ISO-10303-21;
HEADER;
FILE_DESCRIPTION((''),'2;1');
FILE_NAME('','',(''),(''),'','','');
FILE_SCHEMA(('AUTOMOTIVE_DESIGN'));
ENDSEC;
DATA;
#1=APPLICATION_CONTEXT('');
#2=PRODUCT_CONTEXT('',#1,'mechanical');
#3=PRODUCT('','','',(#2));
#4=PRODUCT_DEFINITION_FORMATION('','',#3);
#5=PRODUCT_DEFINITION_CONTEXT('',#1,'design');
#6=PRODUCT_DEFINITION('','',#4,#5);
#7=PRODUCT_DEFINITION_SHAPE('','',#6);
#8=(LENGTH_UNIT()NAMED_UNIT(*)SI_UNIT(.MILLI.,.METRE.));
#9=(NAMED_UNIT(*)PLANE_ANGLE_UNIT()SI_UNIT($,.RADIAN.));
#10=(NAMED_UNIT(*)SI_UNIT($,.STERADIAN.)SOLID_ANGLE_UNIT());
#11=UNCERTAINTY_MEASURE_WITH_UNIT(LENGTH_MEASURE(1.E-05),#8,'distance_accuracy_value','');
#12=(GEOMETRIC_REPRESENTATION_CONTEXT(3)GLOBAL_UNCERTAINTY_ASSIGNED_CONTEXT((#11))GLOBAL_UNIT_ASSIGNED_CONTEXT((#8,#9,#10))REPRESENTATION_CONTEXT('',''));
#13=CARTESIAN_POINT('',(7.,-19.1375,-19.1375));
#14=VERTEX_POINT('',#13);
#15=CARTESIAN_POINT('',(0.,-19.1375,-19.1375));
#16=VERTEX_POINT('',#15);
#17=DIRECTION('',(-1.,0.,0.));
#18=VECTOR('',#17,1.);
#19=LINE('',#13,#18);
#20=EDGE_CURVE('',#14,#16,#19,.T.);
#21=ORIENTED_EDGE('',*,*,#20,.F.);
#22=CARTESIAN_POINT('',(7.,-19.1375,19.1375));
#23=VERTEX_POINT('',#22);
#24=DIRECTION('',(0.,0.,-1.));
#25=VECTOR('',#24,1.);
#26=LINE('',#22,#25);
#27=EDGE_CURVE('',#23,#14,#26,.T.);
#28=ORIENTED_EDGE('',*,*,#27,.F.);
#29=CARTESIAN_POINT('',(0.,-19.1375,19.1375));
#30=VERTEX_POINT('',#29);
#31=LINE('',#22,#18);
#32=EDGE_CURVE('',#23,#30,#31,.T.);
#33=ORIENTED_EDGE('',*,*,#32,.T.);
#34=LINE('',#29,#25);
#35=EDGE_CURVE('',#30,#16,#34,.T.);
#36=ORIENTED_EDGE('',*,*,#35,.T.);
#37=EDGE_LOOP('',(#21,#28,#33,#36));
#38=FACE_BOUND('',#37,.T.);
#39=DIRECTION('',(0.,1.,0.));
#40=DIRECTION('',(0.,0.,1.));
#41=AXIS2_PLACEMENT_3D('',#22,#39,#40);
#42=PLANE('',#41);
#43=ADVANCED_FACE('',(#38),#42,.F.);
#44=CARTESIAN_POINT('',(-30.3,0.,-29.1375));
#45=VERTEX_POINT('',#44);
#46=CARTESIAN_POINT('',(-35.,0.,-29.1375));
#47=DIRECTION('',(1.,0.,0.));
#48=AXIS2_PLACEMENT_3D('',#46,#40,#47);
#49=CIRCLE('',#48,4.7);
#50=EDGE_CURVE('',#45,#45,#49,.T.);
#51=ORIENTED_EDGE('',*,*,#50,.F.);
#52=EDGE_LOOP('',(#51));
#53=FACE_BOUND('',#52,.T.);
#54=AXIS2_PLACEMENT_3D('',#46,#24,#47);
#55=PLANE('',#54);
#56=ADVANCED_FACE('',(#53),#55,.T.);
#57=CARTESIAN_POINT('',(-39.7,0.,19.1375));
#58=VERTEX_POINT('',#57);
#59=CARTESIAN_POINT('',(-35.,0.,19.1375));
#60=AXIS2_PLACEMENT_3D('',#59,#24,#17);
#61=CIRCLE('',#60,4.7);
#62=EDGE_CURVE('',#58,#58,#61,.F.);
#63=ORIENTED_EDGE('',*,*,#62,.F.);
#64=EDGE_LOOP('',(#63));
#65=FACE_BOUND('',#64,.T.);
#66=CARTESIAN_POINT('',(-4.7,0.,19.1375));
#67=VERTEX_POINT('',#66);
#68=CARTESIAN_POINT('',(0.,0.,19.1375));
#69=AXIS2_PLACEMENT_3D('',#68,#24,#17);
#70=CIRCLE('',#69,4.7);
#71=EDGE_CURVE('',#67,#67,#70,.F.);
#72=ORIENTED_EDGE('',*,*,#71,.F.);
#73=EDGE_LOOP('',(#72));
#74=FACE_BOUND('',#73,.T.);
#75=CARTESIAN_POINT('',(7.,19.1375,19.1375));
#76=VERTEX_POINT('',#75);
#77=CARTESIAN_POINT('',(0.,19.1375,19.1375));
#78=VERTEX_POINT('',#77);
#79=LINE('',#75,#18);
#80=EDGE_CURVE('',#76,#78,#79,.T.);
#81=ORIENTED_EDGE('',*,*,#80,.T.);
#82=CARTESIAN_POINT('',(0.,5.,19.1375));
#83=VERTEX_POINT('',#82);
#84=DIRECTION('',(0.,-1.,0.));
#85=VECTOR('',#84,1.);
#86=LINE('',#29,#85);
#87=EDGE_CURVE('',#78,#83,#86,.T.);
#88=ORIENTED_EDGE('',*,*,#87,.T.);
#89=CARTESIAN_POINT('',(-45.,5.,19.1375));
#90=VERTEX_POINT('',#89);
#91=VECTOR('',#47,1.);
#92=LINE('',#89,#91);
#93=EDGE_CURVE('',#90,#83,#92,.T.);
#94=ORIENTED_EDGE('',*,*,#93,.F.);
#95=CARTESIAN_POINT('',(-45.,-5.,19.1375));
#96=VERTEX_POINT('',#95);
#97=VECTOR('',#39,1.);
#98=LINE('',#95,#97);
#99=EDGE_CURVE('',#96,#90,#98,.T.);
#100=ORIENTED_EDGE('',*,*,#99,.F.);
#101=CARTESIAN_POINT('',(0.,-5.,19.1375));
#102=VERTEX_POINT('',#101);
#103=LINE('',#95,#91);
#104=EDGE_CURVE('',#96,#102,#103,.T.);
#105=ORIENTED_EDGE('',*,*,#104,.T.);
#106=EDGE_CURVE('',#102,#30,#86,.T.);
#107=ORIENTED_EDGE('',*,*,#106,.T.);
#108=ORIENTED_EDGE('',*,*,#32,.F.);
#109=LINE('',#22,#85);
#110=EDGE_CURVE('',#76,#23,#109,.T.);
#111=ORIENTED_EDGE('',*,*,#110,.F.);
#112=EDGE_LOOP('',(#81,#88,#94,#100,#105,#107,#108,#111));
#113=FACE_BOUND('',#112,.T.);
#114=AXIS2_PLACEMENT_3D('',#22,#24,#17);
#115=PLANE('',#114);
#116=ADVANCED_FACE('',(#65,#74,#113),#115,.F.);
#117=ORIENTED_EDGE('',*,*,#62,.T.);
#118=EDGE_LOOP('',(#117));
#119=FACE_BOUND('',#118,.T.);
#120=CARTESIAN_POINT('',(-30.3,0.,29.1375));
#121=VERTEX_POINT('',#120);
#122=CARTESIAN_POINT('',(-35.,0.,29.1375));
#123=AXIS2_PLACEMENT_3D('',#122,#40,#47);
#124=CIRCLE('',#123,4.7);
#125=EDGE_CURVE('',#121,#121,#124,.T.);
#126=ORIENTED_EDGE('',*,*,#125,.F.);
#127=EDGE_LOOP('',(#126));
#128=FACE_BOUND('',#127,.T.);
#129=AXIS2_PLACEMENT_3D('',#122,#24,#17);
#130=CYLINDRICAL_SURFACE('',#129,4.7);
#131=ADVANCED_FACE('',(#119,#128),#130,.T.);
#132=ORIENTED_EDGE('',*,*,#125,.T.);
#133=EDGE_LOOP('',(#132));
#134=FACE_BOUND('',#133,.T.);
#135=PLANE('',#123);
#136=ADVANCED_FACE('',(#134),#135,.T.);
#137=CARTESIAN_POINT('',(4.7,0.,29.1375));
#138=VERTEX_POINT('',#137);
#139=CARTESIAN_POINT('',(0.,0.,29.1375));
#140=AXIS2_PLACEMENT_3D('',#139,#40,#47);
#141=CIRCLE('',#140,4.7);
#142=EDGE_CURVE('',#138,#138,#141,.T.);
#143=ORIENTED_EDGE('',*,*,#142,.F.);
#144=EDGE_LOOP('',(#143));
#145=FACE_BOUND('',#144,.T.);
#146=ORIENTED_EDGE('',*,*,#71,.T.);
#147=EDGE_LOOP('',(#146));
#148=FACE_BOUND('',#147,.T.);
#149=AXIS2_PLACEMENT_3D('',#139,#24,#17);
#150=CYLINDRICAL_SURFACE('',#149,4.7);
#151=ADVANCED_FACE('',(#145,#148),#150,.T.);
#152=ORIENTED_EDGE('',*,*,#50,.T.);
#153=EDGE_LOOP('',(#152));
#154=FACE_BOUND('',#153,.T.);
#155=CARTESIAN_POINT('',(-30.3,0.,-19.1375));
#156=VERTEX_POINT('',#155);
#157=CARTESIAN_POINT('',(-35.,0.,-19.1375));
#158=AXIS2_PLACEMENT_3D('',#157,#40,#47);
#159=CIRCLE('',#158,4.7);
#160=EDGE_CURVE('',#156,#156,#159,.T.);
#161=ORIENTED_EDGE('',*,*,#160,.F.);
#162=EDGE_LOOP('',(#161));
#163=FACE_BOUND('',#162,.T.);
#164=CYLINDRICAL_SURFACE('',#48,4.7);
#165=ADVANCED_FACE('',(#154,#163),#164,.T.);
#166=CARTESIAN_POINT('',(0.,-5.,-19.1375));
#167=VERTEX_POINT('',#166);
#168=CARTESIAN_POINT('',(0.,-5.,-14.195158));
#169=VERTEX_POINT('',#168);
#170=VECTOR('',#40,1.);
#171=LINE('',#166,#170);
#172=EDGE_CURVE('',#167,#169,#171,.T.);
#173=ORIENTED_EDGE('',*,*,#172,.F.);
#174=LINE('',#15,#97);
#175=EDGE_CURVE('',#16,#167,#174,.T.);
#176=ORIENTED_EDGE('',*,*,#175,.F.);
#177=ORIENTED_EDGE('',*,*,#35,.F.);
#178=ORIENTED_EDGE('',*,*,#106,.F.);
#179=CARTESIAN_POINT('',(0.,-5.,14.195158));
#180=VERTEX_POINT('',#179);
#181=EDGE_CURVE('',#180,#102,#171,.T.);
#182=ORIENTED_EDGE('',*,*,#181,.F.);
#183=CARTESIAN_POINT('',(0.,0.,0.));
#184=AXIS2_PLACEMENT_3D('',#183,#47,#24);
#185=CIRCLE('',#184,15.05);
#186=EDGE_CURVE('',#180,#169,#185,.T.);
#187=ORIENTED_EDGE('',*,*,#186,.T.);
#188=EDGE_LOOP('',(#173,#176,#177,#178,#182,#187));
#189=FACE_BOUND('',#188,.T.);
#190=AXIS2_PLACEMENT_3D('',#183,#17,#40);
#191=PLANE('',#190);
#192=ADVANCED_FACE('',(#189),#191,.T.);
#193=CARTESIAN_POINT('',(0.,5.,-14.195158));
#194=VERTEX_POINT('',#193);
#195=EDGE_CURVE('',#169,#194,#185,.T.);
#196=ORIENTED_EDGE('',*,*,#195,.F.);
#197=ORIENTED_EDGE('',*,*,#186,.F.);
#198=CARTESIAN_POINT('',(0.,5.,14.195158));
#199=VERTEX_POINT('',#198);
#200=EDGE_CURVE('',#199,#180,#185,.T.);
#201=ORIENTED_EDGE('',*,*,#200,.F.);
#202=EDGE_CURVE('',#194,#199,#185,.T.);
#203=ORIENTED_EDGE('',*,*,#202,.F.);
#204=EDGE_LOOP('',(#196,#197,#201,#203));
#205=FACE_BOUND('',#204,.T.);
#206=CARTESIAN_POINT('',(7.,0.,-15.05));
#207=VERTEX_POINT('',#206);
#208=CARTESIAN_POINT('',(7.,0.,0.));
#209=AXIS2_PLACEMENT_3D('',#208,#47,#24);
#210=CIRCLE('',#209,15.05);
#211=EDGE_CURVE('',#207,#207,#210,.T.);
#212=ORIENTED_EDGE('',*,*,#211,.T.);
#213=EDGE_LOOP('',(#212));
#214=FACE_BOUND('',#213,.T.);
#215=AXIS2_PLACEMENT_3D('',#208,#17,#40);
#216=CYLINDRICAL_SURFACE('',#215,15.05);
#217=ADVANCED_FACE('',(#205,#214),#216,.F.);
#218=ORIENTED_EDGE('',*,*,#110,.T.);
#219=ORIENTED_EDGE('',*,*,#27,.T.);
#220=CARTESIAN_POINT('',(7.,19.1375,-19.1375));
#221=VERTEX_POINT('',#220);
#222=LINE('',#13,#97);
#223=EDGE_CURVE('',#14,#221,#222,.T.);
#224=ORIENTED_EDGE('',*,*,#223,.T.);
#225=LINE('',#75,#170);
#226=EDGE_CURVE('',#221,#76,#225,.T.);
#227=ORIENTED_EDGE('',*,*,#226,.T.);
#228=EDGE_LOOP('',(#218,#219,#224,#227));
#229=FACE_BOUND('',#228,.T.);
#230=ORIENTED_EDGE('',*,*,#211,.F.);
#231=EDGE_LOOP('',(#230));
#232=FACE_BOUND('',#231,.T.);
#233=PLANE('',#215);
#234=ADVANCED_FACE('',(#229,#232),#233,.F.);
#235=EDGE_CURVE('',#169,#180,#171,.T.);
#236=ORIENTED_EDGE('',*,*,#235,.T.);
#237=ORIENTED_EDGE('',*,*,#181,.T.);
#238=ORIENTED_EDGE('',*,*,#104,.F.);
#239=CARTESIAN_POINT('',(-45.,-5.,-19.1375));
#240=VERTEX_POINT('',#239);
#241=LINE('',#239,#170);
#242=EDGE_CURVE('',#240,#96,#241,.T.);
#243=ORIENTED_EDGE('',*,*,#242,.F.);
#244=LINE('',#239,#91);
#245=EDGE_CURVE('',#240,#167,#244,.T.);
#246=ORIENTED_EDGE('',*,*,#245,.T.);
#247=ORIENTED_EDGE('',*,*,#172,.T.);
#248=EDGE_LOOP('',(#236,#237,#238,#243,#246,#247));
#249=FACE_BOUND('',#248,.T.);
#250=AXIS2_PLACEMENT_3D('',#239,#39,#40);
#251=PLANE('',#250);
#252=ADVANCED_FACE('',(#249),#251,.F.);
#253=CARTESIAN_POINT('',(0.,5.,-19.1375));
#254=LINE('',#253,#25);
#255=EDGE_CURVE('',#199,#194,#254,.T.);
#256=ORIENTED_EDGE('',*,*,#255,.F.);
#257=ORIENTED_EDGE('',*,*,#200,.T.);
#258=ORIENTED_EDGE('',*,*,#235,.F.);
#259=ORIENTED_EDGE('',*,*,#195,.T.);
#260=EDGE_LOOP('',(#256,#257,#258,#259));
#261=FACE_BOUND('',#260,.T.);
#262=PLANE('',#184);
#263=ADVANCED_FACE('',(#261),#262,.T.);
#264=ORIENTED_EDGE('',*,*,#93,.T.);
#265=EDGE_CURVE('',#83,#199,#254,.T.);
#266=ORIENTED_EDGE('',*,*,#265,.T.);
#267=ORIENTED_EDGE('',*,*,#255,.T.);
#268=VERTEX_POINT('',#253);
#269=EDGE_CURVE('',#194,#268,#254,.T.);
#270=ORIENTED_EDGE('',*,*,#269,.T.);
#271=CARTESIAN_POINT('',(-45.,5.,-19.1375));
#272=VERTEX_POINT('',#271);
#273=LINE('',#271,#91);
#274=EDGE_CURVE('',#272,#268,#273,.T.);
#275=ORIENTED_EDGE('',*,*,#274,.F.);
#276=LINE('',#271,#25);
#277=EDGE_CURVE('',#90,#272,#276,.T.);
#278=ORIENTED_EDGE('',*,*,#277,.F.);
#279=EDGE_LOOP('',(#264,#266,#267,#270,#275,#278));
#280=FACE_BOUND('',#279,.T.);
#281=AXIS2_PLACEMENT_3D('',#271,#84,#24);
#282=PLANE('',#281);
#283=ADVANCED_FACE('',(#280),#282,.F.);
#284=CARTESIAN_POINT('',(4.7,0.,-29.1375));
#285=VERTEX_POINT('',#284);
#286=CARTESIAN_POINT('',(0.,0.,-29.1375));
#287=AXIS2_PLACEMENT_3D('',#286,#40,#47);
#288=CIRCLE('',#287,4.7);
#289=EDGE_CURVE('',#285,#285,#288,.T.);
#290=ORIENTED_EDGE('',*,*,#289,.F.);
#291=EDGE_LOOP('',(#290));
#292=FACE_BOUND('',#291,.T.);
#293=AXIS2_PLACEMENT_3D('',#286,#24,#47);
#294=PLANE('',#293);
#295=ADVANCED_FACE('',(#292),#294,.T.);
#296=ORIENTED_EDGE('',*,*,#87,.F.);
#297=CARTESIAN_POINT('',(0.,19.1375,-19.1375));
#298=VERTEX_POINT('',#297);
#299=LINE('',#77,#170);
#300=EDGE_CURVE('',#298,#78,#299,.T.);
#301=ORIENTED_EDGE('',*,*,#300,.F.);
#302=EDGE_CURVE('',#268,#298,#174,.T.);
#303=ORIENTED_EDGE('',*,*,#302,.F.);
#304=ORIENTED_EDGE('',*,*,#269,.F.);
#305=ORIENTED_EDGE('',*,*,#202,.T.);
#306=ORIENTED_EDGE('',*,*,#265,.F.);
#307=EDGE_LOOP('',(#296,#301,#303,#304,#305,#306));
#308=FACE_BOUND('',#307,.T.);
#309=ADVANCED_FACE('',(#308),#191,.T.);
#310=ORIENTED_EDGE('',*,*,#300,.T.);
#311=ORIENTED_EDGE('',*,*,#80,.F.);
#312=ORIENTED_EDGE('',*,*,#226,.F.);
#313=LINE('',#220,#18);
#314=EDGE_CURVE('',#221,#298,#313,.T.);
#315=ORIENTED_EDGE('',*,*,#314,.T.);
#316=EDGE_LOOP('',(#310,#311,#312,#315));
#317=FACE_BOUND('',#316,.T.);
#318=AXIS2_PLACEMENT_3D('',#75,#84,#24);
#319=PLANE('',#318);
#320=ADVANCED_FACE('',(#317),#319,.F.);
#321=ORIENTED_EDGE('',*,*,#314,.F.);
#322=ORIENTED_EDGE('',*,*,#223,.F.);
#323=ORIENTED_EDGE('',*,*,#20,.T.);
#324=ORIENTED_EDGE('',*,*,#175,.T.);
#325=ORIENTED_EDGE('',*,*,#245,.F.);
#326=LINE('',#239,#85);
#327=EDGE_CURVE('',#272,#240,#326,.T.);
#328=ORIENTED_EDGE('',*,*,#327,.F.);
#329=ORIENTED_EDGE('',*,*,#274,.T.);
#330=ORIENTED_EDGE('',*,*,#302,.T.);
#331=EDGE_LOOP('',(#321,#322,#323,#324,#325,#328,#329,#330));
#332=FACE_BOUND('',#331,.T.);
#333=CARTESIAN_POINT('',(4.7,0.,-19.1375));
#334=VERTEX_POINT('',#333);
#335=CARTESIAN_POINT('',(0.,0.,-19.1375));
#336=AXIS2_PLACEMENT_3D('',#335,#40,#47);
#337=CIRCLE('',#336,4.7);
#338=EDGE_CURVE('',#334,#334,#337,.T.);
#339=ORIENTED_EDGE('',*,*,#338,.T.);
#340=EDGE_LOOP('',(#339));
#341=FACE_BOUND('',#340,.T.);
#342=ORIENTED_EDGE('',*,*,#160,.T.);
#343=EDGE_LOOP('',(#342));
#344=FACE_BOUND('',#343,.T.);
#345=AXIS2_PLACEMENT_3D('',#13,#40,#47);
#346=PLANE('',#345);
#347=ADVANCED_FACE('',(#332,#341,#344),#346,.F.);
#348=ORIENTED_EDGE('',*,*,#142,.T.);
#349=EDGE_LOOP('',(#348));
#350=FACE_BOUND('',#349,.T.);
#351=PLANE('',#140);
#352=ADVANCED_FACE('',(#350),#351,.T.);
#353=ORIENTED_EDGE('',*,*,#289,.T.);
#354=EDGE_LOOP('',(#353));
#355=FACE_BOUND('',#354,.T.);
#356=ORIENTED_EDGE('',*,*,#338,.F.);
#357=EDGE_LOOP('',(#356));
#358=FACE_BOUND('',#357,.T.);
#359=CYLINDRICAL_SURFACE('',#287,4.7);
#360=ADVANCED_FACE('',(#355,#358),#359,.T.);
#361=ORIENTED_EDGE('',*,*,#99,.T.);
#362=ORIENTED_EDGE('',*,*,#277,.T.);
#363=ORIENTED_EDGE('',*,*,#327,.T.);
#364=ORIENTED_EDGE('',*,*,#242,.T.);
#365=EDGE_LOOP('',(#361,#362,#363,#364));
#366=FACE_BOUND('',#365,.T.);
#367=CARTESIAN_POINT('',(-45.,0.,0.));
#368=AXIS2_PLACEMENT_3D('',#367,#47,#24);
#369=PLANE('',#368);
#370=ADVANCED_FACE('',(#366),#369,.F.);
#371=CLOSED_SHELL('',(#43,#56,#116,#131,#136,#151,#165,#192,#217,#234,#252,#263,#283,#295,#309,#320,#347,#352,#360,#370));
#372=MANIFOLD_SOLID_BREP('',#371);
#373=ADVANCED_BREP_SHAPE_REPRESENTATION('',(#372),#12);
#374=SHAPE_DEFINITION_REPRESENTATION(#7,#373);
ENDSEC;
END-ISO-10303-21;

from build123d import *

# Parameters (mm, degrees)
SKETCH1_W           = 38.275
SKETCH1_H           = 38.275
SKETCH1_R           = 15.05
BOSS_EXTRUDE1_DEPTH = 7
SKETCH2_W           = 38.275
SKETCH2_H           = 10
BOSS_EXTRUDE2_DEPTH = 45
SKETCH3_R           = 4.7
BOSS_EXTRUDE3_DEPTH = 10


with BuildPart() as part:
    # Sketch1 → Boss-Extrude1 (new body)
    with BuildSketch(Plane(origin=(0, 0, 0), x_dir=(0, 0, -1), z_dir=(1, 0, 0))):
        Rectangle(SKETCH1_W, SKETCH1_H)
        Circle(SKETCH1_R, mode=Mode.SUBTRACT)
    extrude(amount=BOSS_EXTRUDE1_DEPTH)

    # Sketch2 → Boss-Extrude2 (add)
    with BuildSketch(Plane.ZY):
        Rectangle(SKETCH2_W, SKETCH2_H)
    extrude(amount=BOSS_EXTRUDE2_DEPTH)

    # Sketch3 → Boss-Extrude3 (add)
    with BuildSketch(Plane.XY.offset(19.1375)):
        with Locations(Location((-35, 0, 0), (0, 0, 180))):
            Circle(SKETCH3_R)
        with Locations(Location((0, 0, 0), (0, 0, 180))):
            Circle(SKETCH3_R)
    boss_extrude3 = extrude(amount=BOSS_EXTRUDE3_DEPTH)

    # Mirror1: Boss-Extrude3 across plane
    add(boss_extrude3.mirror(Plane.XY))


solid = part.part
